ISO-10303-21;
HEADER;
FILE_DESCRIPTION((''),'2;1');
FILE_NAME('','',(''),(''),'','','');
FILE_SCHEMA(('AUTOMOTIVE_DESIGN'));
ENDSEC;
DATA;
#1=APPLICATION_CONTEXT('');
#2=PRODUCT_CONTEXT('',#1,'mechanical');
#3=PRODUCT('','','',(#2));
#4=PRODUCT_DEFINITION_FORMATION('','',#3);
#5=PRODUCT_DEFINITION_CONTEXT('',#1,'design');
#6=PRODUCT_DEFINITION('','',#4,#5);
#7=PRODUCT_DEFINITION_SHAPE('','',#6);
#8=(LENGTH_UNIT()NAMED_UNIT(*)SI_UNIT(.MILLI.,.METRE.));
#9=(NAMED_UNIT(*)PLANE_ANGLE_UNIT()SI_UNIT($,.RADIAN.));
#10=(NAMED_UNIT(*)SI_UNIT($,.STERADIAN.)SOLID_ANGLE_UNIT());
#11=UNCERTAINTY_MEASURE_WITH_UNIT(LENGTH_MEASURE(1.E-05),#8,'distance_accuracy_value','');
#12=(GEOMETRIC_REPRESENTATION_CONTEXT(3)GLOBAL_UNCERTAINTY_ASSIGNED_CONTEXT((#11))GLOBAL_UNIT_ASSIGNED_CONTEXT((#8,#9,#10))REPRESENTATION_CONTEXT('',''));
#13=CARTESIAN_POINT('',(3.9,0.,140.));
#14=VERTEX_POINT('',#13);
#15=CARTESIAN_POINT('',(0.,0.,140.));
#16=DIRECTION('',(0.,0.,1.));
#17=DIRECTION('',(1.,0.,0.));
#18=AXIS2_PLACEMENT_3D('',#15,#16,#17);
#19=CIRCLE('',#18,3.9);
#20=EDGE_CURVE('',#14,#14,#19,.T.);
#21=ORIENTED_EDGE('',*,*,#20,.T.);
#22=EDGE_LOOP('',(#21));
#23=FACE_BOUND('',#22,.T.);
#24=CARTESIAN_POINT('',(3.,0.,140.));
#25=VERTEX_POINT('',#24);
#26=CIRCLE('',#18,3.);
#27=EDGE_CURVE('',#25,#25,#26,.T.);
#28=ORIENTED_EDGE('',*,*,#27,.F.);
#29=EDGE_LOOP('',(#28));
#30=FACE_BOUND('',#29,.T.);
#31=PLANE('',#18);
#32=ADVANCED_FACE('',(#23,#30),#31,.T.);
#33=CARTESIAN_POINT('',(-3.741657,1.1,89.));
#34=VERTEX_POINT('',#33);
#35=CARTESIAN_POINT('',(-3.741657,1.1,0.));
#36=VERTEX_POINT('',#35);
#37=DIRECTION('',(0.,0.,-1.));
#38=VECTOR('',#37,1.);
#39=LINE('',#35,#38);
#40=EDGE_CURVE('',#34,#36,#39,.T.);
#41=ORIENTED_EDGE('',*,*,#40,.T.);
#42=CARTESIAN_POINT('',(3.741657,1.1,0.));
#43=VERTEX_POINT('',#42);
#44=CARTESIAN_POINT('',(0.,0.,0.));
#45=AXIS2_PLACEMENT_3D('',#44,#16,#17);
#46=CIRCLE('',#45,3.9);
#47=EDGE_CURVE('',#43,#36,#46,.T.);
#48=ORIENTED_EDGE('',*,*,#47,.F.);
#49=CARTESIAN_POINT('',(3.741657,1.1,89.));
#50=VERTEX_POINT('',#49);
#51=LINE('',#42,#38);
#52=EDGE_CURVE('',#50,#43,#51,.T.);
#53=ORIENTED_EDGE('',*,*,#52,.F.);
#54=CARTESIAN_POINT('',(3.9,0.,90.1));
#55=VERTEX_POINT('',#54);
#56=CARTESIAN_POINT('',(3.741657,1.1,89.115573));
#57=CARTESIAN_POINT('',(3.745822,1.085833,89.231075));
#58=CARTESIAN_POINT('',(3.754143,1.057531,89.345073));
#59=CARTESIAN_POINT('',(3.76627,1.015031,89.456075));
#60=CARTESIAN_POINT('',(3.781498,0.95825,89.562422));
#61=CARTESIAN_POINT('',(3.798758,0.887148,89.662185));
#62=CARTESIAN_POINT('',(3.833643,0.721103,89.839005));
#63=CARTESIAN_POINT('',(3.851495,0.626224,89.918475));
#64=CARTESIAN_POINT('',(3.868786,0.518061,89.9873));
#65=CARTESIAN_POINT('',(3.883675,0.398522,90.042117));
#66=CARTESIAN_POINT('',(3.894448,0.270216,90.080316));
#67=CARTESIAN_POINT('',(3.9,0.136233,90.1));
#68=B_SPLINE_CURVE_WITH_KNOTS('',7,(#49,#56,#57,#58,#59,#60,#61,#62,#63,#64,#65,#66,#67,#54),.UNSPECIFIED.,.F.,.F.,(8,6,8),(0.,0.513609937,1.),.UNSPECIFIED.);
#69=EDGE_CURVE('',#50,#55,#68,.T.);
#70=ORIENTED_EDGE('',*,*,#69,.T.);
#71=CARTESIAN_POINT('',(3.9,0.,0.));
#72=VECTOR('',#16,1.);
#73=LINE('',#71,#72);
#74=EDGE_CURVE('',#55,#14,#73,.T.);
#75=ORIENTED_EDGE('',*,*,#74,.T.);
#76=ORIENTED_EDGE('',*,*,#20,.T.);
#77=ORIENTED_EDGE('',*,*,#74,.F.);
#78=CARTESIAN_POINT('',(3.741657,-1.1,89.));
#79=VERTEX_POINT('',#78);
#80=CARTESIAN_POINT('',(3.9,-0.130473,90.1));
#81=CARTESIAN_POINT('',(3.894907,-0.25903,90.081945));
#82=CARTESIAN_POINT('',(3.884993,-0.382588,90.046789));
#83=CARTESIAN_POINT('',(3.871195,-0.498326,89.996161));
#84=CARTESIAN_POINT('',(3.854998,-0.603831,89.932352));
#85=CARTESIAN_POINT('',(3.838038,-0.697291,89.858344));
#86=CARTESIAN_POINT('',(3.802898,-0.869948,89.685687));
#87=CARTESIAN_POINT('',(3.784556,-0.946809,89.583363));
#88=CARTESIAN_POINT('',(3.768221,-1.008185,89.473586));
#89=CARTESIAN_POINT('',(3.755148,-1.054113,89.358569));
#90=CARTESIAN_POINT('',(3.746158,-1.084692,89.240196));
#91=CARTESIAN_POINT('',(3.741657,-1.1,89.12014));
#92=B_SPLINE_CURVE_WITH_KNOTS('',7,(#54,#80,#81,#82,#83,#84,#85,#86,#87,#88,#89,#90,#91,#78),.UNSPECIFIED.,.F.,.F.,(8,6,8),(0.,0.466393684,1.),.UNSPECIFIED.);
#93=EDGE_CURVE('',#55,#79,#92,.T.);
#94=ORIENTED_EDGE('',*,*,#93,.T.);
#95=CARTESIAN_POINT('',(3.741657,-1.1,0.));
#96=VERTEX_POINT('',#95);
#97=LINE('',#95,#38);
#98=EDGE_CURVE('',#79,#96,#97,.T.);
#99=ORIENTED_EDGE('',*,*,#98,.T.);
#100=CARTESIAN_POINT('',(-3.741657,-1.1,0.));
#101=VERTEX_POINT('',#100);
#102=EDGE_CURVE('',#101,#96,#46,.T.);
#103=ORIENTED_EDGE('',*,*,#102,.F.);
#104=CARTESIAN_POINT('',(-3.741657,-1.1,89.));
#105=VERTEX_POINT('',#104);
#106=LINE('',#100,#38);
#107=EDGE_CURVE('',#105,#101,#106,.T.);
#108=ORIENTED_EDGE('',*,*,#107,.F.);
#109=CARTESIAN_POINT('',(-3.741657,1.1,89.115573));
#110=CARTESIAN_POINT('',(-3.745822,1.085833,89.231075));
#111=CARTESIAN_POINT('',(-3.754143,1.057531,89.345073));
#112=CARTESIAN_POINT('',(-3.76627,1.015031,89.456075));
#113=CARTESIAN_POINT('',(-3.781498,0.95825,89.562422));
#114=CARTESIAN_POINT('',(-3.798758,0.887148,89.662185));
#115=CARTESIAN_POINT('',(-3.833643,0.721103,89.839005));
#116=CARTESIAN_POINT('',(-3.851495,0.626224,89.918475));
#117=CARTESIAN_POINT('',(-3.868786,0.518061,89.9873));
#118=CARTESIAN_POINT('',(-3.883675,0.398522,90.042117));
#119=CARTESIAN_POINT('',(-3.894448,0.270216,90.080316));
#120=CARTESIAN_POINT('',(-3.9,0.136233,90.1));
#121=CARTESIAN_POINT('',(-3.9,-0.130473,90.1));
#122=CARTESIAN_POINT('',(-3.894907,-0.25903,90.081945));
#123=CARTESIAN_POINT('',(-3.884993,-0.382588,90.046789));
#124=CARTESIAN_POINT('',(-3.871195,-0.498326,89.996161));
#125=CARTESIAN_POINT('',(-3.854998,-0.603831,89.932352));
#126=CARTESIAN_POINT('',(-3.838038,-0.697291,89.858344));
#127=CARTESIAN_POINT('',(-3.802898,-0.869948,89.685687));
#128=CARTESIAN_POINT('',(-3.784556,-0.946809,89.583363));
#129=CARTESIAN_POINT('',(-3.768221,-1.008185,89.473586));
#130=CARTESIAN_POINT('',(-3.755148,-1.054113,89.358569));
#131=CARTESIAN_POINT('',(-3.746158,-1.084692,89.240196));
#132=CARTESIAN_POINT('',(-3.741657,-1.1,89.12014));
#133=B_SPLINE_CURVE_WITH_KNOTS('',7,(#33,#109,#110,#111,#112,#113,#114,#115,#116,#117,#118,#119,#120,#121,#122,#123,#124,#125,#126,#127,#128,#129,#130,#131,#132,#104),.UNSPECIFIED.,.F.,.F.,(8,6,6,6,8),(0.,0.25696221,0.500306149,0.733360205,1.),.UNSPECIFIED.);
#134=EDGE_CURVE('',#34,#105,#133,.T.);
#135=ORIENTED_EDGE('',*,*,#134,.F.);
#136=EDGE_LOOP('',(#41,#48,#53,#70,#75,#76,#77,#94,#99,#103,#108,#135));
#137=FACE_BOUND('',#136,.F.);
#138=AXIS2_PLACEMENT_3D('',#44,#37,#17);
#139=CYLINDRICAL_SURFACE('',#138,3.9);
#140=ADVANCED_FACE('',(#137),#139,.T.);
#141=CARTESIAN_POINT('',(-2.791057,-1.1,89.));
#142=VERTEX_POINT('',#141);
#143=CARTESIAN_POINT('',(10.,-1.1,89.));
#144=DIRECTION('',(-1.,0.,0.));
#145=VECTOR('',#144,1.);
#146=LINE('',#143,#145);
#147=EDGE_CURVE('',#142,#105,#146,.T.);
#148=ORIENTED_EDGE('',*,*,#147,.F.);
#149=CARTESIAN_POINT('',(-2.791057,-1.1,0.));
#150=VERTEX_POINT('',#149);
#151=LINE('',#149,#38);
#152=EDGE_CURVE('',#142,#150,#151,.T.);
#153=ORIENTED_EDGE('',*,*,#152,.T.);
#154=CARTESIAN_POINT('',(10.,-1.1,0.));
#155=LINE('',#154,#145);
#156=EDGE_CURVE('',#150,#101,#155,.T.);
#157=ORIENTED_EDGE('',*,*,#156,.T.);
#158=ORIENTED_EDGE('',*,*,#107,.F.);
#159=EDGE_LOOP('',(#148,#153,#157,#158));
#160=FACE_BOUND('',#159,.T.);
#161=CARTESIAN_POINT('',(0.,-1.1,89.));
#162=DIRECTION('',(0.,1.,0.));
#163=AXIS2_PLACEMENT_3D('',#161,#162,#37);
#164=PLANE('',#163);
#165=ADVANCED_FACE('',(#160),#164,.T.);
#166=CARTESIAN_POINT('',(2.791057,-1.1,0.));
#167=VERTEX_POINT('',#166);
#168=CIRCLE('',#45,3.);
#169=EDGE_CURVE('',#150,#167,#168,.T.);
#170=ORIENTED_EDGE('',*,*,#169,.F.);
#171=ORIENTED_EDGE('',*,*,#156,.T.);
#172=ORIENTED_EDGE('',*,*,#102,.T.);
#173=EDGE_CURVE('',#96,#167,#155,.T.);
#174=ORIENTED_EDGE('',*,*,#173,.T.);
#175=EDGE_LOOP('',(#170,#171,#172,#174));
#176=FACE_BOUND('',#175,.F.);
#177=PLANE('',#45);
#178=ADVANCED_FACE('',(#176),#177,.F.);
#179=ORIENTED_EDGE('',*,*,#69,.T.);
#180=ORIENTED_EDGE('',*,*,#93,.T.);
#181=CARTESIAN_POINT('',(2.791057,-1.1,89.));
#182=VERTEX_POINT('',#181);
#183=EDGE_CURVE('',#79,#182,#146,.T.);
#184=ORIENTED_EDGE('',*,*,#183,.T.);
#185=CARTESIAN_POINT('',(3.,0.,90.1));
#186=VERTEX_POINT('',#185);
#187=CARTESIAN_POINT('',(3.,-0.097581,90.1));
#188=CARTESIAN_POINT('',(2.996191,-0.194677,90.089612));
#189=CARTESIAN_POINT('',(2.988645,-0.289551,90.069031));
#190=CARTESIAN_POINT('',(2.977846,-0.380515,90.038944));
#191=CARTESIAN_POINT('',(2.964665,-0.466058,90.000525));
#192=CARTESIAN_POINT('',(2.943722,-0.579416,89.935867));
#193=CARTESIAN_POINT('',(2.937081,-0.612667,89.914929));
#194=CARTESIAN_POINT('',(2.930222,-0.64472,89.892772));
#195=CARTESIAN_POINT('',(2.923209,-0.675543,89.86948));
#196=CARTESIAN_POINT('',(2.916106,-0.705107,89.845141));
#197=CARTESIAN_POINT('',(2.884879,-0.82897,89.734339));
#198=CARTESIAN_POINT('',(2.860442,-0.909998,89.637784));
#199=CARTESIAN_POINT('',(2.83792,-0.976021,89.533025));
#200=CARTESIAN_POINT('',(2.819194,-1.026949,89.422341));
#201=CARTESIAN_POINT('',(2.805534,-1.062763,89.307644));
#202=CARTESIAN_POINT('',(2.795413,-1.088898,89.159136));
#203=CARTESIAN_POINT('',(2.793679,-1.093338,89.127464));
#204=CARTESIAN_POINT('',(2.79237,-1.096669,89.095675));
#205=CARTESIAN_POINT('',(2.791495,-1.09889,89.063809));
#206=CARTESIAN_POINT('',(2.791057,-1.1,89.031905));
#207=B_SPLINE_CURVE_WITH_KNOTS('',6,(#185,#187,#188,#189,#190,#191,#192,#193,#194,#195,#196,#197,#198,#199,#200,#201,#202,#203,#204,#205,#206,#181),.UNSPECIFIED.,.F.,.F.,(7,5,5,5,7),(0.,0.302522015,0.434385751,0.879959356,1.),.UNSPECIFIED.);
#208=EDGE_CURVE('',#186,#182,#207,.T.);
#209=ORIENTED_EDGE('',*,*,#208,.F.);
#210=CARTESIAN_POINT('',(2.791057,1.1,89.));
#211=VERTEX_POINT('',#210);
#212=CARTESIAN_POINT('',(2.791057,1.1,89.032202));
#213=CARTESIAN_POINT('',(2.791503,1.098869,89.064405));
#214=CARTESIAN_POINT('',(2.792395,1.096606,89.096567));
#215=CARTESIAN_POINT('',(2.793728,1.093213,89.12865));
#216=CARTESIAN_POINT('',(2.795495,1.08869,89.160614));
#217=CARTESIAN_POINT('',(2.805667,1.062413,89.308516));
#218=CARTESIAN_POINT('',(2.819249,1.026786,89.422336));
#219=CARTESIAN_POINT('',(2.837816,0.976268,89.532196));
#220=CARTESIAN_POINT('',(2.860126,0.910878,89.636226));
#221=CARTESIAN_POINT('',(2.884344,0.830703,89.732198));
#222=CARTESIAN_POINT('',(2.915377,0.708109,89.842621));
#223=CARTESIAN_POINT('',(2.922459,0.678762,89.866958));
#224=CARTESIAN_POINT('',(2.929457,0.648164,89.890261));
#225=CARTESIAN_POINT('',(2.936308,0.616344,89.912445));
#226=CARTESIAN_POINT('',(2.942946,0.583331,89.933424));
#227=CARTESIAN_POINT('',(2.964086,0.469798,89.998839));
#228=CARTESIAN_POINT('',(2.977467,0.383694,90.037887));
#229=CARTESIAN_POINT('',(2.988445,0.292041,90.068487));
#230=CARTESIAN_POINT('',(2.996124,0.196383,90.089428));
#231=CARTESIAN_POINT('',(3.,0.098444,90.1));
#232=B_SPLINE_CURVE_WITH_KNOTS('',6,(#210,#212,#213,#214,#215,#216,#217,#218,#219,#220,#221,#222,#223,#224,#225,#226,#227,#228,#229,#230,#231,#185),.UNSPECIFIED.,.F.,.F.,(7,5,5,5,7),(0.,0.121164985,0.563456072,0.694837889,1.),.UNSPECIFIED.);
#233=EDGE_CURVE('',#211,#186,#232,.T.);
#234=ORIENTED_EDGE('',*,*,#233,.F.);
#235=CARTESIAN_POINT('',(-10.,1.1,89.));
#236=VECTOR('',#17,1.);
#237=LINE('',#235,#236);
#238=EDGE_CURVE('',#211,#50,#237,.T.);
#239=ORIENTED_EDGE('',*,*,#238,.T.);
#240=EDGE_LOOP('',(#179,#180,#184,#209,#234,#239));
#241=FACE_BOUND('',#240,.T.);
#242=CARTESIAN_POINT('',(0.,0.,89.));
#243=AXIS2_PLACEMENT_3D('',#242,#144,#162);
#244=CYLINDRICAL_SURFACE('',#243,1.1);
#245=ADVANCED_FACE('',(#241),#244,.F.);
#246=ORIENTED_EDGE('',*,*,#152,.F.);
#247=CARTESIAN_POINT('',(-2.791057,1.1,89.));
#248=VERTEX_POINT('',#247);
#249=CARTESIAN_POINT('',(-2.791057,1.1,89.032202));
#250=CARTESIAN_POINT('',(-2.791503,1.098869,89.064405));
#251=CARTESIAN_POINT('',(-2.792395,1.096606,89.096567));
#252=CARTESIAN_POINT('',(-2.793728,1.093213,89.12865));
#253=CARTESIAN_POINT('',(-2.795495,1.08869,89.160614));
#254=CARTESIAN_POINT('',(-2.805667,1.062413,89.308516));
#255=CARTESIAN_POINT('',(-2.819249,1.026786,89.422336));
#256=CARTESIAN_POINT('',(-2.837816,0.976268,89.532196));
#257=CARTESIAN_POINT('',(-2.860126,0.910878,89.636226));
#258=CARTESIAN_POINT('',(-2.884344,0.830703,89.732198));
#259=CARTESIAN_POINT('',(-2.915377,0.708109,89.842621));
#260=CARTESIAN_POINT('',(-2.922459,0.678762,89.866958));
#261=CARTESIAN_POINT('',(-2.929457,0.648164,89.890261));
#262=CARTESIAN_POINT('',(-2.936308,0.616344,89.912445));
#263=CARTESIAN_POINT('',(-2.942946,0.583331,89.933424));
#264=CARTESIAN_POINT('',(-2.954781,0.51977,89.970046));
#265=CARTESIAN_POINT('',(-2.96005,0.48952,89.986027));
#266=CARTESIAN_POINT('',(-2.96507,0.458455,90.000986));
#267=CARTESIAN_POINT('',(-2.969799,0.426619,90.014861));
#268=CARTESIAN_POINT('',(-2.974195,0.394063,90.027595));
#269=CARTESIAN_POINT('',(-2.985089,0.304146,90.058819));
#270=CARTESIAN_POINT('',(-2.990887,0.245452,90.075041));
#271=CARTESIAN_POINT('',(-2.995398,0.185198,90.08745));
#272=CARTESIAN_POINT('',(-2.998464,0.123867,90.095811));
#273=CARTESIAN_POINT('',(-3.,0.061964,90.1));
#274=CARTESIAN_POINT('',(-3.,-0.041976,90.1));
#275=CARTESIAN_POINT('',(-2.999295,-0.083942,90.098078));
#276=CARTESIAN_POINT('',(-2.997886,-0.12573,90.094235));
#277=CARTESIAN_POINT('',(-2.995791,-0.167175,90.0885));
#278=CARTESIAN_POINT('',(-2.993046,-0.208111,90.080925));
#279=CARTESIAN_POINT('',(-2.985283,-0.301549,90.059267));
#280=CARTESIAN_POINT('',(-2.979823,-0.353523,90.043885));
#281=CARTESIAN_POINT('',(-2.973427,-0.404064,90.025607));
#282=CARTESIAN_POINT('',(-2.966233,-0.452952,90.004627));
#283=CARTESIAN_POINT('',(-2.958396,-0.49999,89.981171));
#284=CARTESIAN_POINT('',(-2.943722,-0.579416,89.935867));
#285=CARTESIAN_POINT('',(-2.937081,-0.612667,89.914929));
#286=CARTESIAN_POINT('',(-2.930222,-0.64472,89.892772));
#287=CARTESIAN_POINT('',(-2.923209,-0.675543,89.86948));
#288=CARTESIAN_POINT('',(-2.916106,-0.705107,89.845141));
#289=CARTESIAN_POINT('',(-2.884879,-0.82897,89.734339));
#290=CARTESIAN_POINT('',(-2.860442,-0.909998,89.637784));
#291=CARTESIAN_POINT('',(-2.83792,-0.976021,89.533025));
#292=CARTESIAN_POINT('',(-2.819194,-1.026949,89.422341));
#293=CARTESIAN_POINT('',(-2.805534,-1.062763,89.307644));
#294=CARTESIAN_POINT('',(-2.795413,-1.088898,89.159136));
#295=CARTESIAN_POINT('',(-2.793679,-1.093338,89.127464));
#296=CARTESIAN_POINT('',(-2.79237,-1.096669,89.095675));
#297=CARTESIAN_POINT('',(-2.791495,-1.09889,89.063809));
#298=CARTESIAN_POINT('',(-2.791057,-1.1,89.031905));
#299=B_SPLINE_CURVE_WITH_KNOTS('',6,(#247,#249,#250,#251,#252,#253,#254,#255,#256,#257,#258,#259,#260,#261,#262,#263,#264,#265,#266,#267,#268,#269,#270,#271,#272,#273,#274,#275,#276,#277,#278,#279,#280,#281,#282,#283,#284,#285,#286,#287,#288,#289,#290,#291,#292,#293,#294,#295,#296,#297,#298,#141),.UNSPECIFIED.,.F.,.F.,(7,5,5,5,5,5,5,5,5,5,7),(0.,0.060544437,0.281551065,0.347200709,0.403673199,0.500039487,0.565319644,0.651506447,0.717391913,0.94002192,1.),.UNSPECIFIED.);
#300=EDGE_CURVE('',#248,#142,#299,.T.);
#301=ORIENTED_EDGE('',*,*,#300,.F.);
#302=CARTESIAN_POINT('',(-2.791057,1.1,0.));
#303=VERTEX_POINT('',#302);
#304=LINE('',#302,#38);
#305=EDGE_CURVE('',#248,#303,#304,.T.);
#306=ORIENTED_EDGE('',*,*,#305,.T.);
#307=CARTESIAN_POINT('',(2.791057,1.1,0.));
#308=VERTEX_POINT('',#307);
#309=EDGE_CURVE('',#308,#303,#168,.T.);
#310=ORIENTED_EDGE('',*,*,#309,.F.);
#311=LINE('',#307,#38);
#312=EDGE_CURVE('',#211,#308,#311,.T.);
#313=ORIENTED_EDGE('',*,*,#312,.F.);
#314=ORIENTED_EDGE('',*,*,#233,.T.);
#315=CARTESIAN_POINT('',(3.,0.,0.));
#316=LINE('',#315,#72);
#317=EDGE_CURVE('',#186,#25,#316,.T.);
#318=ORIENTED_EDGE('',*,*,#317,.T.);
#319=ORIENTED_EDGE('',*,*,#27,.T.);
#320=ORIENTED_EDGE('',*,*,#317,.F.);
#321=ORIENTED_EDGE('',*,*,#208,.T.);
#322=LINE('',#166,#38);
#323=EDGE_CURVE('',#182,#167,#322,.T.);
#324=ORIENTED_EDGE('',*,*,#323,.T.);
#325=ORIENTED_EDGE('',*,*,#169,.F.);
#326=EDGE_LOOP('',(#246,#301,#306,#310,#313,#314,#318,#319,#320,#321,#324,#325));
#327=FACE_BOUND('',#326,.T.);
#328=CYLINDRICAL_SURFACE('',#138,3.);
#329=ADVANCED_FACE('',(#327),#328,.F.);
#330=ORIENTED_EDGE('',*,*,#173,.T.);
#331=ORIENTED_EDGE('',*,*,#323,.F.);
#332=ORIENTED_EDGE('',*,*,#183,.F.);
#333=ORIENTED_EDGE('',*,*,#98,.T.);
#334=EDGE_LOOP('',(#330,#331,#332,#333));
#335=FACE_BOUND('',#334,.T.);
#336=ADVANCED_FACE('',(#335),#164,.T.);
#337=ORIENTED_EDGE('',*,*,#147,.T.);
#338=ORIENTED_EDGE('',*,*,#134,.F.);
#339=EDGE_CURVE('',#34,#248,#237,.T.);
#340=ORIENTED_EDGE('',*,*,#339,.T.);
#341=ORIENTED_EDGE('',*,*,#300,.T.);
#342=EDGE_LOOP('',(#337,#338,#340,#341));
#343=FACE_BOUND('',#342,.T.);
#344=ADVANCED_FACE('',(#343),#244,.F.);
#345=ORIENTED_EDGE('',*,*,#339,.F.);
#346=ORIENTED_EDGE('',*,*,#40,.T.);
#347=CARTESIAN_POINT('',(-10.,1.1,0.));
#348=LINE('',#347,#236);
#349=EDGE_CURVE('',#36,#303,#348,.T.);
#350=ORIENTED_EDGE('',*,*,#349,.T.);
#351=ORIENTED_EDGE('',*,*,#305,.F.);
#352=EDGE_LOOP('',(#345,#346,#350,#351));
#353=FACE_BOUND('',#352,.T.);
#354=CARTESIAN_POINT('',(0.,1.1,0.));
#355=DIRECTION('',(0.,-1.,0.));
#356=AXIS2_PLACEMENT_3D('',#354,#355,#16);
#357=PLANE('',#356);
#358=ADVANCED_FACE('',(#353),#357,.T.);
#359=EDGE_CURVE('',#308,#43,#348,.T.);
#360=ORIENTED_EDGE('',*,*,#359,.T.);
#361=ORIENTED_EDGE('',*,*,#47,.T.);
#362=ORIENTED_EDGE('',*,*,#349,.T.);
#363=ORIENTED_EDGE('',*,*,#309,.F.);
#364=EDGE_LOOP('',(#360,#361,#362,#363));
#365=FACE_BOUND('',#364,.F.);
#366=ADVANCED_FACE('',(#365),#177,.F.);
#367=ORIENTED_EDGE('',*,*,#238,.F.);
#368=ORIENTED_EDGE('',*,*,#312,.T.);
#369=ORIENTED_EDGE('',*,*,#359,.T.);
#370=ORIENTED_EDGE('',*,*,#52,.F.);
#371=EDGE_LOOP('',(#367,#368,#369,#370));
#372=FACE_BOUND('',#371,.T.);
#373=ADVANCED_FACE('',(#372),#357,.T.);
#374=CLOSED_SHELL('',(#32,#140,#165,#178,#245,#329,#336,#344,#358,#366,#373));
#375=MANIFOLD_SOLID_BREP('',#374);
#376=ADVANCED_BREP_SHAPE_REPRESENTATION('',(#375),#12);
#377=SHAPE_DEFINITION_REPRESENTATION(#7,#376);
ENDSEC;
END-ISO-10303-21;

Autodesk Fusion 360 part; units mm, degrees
sketch "Sketch1" plane through (0, 0, 0) normal (0, 0, 1) x (1, 0, 0)
  circle A0 centre (0, 0) radius 3.9
  circle A1 centre (0, 0) radius 3
  dimension "d168" = 7.8
  dimension "d169" = 6
extrude "Extrude1" add sketch "Sketch1" along normal blind 140
sketch "Sketch2" plane through (0, 0, 0) normal (1, 0, 0) x (0, 1, 0)
  line L0 (1.1, 0) -> (1.1, 89)
  arc A0 (1.1, 89) -> (-1.1, 89) centre (0, 89) ccw
  line L1 (-1.1, 89) -> (-1.1, 0)
  arc A1 (-1.1, 0) -> (1.1, 0) centre (0, 0) ccw
  line L2 (0, -1.1) -> (0, 90.1) construction
  line L3 (3.9, 0) -> (-3.9, 0)
  line L4 (3.9, 140) -> (-3.9, 140)
  line L5 (3.9, 0) -> (-3.9, 0)
  dimension "d172" = 2.2
  dimension "d174" = 89
extrude "Extrude2" cut sketch "Sketch2" along normal mid plane 20 contours L0 A0 L1 L3 L5
